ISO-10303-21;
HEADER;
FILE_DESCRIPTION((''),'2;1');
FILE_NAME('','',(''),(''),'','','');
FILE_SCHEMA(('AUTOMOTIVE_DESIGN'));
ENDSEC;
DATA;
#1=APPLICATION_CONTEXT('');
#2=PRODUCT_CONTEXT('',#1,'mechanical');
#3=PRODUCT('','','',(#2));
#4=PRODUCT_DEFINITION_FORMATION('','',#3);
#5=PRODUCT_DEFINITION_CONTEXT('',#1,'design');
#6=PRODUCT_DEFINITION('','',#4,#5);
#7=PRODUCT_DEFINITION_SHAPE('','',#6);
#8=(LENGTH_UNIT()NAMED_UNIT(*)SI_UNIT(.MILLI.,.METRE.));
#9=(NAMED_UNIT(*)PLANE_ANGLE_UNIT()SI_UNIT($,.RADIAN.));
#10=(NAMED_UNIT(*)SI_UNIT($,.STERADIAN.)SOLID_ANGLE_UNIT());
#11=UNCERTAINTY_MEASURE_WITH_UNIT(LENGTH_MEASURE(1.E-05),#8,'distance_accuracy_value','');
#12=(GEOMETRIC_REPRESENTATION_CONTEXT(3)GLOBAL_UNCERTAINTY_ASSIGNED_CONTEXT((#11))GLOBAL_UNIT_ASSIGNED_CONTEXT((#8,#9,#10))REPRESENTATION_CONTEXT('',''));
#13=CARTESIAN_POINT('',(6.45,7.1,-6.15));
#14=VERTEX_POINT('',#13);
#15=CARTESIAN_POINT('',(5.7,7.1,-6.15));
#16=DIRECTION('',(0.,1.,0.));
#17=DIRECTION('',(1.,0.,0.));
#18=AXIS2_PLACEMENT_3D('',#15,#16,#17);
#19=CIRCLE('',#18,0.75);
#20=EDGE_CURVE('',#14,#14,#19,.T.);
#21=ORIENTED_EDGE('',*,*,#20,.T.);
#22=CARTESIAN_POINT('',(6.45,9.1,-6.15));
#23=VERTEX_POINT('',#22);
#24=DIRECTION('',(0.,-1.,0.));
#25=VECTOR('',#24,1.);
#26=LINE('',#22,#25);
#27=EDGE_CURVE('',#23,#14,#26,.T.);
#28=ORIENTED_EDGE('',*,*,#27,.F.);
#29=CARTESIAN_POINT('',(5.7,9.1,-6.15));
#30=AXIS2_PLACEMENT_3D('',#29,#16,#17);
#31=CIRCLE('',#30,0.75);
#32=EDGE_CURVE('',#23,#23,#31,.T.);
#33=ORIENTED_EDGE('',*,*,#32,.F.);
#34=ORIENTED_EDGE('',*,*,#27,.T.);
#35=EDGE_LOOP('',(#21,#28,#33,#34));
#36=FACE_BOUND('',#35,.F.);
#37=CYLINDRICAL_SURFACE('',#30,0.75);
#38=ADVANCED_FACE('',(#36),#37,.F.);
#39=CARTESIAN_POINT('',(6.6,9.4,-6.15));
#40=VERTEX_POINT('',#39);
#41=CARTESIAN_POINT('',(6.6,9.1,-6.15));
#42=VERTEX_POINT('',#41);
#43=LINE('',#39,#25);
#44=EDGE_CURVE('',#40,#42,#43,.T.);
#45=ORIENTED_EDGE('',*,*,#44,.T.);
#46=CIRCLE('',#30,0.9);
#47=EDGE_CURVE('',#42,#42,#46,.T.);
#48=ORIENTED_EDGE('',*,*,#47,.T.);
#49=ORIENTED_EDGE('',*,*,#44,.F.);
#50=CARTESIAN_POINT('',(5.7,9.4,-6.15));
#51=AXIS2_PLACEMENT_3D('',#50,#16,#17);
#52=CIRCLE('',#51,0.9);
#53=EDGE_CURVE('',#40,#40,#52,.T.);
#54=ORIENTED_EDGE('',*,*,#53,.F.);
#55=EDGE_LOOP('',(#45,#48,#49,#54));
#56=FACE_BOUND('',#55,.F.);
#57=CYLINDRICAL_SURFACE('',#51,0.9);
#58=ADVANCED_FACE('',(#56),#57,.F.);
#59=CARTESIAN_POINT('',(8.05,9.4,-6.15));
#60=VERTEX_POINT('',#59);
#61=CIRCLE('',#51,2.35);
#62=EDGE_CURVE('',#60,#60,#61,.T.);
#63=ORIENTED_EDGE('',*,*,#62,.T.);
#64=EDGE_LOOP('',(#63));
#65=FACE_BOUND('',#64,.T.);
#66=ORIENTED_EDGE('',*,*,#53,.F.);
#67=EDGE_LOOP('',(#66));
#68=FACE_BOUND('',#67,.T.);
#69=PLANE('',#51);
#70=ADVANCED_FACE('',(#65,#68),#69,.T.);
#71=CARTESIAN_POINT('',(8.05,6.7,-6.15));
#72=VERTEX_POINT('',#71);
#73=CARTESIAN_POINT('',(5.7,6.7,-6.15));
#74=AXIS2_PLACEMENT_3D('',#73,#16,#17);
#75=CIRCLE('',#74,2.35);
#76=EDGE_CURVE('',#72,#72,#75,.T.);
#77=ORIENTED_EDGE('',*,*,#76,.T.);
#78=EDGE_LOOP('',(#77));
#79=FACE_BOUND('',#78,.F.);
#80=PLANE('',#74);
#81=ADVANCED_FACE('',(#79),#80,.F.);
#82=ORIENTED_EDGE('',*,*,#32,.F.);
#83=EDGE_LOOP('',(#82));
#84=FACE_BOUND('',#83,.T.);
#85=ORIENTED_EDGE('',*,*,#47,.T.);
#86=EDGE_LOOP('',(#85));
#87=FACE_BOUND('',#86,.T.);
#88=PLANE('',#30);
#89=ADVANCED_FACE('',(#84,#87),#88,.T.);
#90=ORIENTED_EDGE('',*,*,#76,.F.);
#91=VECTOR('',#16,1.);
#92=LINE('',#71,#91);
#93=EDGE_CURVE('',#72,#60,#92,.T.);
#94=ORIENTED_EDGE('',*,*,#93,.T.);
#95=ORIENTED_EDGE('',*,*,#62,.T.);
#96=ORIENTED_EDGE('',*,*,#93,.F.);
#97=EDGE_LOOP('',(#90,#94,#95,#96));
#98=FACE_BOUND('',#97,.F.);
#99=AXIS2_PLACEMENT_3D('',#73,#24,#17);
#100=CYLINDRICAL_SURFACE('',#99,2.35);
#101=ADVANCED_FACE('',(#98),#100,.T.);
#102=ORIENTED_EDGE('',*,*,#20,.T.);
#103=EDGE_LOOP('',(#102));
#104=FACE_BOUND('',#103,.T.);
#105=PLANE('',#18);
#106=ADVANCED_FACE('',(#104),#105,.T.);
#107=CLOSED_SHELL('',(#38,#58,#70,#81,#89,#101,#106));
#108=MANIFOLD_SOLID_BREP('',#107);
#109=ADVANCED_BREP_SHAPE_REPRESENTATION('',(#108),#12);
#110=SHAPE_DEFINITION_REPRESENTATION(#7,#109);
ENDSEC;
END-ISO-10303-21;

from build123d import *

# Parameters (mm, degrees)
SKETCH7_BP_R         = 0.75
EXTRUSION7_CUT_DEPTH = 2
SKETCH6_BP_R         = 0.9
EXTRUSION6_CUT_DEPTH = 0.3
SKETCH5_BP_R         = 2.35
EXTRUSION5_DEPTH     = 2.7


with BuildPart() as extrusion7_cut:
    # Sketch7_bp → Extrusion7_Cut (new body)
    with BuildSketch(Plane(origin=(5.7, 9.1, -6.15), x_dir=(1, 0, 0), z_dir=(0, 1, 0))):
        Circle(SKETCH7_BP_R)
    extrude(amount=-EXTRUSION7_CUT_DEPTH)


with BuildPart() as extrusion6_cut:
    # Sketch6_bp → Extrusion6_Cut (new body)
    with BuildSketch(Plane(origin=(5.7, 9.4, -6.15), x_dir=(1, 0, 0), z_dir=(0, 1, 0))):
        Circle(SKETCH6_BP_R)
    extrude(amount=-EXTRUSION6_CUT_DEPTH)


with BuildPart() as extrusion7:
    # Sketch5_bp → Extrusion5 (new body)
    with BuildSketch(Plane(origin=(5.7, 6.7, -6.15), x_dir=(1, 0, 0), z_dir=(0, 1, 0))):
        Circle(SKETCH5_BP_R)
    extrude(amount=EXTRUSION5_DEPTH)

    # Extrusion6: cut Extrusion6_Cut
    add(extrusion6_cut.part, mode=Mode.SUBTRACT)

    # Extrusion7: cut Extrusion7_Cut
    add(extrusion7_cut.part, mode=Mode.SUBTRACT)


solid = extrusion7.part
